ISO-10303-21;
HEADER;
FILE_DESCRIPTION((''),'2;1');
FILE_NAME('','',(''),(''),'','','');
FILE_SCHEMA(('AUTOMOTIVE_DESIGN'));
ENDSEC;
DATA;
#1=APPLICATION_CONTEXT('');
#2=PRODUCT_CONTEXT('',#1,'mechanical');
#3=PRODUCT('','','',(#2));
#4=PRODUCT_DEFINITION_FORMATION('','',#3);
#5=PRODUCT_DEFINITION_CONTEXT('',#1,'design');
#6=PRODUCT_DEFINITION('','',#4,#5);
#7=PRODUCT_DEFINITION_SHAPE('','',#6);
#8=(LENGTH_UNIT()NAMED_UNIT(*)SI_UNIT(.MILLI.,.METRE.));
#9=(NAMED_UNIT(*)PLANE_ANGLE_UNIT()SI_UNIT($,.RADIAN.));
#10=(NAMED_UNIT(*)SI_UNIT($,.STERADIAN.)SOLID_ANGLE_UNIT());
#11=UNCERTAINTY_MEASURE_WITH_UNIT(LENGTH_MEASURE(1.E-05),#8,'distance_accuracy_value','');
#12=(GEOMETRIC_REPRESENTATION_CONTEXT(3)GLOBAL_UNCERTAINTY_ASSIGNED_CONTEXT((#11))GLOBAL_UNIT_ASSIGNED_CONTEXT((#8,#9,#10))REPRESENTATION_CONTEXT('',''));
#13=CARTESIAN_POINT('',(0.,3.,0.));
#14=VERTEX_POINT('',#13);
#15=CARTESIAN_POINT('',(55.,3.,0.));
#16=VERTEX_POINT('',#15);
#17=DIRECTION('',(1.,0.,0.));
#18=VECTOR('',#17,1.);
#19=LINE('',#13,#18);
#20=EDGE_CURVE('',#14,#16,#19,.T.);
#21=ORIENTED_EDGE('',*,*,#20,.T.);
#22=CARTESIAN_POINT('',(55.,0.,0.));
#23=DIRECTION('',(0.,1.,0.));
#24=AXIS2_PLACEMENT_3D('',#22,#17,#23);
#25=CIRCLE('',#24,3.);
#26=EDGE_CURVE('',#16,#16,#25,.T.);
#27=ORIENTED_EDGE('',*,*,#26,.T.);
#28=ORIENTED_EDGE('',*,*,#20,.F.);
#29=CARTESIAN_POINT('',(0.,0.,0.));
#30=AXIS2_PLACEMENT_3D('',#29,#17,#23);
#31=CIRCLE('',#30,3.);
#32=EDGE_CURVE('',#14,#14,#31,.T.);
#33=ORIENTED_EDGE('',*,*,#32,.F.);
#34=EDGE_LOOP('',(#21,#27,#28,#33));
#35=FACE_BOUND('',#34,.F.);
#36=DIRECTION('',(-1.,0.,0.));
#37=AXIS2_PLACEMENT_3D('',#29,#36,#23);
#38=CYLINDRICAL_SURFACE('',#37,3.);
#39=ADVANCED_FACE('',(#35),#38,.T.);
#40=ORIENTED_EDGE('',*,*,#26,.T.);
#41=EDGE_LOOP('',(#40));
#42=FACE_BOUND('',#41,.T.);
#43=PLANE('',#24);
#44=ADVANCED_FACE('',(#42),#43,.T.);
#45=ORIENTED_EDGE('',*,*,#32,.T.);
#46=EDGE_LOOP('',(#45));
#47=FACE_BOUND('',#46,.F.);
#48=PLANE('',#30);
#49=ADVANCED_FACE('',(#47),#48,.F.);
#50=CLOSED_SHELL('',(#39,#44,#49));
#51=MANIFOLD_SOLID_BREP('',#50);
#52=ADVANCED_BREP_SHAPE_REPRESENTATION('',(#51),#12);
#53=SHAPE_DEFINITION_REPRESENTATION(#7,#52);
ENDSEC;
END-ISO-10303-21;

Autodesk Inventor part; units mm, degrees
ref_plane "YZ Plane" through (0, 0, 0) normal (1, 0, 0) x (0, 1, 0)
ref_plane "XZ Plane" through (0, 0, 0) normal (0, 1, 0) x (-1, 0, 0)
ref_plane "XY Plane" through (0, 0, 0) normal (0, 0, 1) x (1, 0, 0)
sketch "Sketch1" plane through (0, 0, 0) normal (1, 0, 0) x (0, 1, 0)
  circle A0 centre (0, 0) radius 3
  dimension "d0" = 6
extrude "Extrusion1" add sketch "Sketch1" along normal blind 55
properties part number "Rb oven housing post" material "Copper"
